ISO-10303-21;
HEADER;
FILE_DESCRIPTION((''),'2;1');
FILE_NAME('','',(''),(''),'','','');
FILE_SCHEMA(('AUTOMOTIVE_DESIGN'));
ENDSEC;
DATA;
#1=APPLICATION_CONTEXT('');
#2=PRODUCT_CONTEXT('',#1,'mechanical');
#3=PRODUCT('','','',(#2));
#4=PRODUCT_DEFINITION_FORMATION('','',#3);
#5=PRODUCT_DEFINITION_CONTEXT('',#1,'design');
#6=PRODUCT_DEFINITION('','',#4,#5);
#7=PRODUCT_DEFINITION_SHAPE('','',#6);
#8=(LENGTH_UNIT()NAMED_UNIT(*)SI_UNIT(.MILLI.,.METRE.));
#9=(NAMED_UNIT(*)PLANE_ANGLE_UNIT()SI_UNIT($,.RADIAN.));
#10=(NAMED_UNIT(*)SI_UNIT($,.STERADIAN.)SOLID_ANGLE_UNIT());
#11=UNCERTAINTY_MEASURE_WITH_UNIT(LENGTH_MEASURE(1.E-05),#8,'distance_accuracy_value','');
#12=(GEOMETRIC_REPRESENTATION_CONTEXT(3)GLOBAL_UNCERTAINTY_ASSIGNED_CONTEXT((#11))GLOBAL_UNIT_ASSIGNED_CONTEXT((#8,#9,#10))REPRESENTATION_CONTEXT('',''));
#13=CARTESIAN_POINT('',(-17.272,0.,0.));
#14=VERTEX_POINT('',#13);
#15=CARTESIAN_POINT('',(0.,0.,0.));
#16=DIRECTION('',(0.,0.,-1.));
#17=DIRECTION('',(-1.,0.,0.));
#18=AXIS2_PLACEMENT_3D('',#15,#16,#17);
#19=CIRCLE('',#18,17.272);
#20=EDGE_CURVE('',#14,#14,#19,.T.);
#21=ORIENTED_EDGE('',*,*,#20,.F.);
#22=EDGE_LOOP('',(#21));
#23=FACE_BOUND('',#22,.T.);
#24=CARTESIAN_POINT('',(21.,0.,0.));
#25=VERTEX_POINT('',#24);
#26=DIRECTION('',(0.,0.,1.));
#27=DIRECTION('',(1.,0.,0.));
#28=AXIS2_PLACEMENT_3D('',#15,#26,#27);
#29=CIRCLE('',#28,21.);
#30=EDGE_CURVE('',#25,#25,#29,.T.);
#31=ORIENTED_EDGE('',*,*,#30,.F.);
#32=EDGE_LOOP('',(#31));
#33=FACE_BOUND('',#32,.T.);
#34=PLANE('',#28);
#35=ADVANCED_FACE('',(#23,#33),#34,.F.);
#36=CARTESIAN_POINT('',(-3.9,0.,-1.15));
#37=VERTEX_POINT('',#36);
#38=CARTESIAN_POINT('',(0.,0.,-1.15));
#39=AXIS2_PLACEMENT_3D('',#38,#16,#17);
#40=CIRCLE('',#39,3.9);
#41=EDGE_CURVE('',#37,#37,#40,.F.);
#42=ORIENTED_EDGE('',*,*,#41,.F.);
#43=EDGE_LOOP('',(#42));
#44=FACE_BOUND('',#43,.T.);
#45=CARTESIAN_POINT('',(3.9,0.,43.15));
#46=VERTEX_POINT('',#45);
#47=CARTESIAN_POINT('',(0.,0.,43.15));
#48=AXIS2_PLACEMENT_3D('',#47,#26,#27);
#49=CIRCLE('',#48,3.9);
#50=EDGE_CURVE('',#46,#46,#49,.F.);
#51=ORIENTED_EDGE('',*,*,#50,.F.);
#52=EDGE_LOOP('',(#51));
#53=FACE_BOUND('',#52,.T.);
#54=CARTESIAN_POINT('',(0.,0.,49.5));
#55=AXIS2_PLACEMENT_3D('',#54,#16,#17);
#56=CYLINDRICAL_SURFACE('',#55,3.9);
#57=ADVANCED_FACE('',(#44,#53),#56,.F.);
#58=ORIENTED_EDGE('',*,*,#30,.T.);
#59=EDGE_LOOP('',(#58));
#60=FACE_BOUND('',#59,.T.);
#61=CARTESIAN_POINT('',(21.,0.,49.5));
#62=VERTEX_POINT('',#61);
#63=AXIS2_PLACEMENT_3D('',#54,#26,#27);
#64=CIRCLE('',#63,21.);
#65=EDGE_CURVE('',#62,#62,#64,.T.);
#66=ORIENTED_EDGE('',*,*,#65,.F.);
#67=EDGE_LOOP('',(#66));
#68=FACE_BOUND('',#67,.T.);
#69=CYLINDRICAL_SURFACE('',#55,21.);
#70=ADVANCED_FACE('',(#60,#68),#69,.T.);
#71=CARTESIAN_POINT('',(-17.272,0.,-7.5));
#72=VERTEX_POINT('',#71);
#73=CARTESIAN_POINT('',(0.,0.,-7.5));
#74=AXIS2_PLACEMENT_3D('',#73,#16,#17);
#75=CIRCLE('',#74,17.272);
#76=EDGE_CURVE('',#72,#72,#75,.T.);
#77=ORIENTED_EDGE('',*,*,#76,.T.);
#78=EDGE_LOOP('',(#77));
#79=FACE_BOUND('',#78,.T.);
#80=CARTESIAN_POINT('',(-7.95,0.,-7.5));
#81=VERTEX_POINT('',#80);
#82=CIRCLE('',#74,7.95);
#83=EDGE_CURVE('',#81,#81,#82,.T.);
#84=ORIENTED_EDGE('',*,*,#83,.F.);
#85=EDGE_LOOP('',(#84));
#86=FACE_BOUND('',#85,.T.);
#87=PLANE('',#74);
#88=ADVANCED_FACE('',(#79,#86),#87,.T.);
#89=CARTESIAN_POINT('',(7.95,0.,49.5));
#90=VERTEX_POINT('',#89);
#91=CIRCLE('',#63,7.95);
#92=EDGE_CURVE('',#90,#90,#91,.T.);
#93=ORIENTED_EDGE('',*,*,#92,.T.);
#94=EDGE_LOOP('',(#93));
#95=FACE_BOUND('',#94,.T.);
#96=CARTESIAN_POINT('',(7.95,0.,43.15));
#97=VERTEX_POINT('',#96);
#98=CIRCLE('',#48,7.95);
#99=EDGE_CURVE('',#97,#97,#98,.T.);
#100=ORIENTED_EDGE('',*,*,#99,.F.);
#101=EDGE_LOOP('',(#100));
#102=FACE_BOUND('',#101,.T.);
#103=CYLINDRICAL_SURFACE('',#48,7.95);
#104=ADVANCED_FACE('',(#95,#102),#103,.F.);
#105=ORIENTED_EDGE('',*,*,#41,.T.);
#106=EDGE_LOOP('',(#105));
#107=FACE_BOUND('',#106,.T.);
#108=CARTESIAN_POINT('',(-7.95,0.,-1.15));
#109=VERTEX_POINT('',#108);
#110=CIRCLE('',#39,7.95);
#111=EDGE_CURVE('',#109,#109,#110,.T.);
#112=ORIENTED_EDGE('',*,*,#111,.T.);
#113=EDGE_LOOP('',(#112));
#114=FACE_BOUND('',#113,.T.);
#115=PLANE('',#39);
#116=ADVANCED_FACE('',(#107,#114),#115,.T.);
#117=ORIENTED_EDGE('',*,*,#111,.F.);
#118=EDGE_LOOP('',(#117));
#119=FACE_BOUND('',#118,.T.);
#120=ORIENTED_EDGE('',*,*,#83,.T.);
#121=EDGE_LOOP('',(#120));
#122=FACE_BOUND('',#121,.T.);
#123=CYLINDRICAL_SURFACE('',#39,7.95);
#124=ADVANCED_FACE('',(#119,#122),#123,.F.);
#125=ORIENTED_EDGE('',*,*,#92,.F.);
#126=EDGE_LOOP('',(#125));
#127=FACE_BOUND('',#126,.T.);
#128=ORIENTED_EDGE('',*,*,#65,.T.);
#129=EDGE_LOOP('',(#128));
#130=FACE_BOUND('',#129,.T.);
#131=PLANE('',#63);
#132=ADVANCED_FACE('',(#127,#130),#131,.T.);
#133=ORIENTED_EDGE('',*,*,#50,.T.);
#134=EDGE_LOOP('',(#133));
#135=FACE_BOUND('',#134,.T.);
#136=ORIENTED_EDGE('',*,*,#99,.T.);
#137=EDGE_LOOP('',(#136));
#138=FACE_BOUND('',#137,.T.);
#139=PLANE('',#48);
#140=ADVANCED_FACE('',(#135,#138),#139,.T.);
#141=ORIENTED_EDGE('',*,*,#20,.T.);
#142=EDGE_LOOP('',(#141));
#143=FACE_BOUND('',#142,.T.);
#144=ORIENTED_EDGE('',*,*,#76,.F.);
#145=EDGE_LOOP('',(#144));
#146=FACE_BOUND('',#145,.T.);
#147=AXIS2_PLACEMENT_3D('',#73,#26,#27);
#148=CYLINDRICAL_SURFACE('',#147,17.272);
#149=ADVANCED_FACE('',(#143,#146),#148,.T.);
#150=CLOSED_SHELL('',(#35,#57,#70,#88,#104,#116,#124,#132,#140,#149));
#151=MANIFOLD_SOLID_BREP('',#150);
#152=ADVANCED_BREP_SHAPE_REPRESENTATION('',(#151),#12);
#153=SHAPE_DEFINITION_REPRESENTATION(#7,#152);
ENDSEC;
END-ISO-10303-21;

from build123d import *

# Parameters (mm, degrees)
CROQUIS1_R              = 21
SALIENTE_EXTRUIR1_DEPTH = 49.5
CROQUIS3_R              = 3.9
CORTAR_EXTRUIR1_DEPTH   = 50.5
CROQUIS4_R              = 17.272
SALIENTE_EXTRUIR2_DEPTH = 7.5
CROQUIS5_R              = 3.9
CORTAR_EXTRUIR2_DEPTH   = 7.5
CROQUIS6_R              = 7.95
CORTAR_EXTRUIR3_DEPTH   = 6.35
CROQUIS7_R              = 7.95
CORTAR_EXTRUIR4_DEPTH   = 6.35


with BuildPart() as part:
    # Croquis1 → Saliente-Extruir1 (new body)
    with BuildSketch(Plane.XY):
        Circle(CROQUIS1_R)
    extrude(amount=SALIENTE_EXTRUIR1_DEPTH)

    # Croquis3 → Cortar-Extruir1 (cut, through all)
    with BuildSketch(Plane(origin=(0, 0, 0), x_dir=(-1, 0, 0), z_dir=(0, 0, -1))):
        Circle(CROQUIS3_R)
    extrude(amount=-CORTAR_EXTRUIR1_DEPTH, mode=Mode.SUBTRACT)

    # Croquis4 → Saliente-Extruir2 (add)
    with BuildSketch(Plane(origin=(0, 0, 0), x_dir=(-1, 0, 0), z_dir=(0, 0, -1))):
        Circle(CROQUIS4_R)
    extrude(amount=SALIENTE_EXTRUIR2_DEPTH)

    # Croquis5 → Cortar-Extruir2 (cut)
    with BuildSketch(Plane(origin=(0, 0, -7.5), x_dir=(-1, 0, 0), z_dir=(0, 0, -1))):
        Circle(CROQUIS5_R)
    extrude(amount=-CORTAR_EXTRUIR2_DEPTH, mode=Mode.SUBTRACT)

    # Croquis6 → Cortar-Extruir3 (cut)
    with BuildSketch(Plane(origin=(0, 0, -7.5), x_dir=(-1, 0, 0), z_dir=(0, 0, -1))):
        Circle(CROQUIS6_R)
    extrude(amount=-CORTAR_EXTRUIR3_DEPTH, mode=Mode.SUBTRACT)

    # Croquis7 → Cortar-Extruir4 (cut)
    with BuildSketch(Plane.XY.offset(49.5)):
        Circle(CROQUIS7_R)
    extrude(amount=-CORTAR_EXTRUIR4_DEPTH, mode=Mode.SUBTRACT)


solid = part.part
